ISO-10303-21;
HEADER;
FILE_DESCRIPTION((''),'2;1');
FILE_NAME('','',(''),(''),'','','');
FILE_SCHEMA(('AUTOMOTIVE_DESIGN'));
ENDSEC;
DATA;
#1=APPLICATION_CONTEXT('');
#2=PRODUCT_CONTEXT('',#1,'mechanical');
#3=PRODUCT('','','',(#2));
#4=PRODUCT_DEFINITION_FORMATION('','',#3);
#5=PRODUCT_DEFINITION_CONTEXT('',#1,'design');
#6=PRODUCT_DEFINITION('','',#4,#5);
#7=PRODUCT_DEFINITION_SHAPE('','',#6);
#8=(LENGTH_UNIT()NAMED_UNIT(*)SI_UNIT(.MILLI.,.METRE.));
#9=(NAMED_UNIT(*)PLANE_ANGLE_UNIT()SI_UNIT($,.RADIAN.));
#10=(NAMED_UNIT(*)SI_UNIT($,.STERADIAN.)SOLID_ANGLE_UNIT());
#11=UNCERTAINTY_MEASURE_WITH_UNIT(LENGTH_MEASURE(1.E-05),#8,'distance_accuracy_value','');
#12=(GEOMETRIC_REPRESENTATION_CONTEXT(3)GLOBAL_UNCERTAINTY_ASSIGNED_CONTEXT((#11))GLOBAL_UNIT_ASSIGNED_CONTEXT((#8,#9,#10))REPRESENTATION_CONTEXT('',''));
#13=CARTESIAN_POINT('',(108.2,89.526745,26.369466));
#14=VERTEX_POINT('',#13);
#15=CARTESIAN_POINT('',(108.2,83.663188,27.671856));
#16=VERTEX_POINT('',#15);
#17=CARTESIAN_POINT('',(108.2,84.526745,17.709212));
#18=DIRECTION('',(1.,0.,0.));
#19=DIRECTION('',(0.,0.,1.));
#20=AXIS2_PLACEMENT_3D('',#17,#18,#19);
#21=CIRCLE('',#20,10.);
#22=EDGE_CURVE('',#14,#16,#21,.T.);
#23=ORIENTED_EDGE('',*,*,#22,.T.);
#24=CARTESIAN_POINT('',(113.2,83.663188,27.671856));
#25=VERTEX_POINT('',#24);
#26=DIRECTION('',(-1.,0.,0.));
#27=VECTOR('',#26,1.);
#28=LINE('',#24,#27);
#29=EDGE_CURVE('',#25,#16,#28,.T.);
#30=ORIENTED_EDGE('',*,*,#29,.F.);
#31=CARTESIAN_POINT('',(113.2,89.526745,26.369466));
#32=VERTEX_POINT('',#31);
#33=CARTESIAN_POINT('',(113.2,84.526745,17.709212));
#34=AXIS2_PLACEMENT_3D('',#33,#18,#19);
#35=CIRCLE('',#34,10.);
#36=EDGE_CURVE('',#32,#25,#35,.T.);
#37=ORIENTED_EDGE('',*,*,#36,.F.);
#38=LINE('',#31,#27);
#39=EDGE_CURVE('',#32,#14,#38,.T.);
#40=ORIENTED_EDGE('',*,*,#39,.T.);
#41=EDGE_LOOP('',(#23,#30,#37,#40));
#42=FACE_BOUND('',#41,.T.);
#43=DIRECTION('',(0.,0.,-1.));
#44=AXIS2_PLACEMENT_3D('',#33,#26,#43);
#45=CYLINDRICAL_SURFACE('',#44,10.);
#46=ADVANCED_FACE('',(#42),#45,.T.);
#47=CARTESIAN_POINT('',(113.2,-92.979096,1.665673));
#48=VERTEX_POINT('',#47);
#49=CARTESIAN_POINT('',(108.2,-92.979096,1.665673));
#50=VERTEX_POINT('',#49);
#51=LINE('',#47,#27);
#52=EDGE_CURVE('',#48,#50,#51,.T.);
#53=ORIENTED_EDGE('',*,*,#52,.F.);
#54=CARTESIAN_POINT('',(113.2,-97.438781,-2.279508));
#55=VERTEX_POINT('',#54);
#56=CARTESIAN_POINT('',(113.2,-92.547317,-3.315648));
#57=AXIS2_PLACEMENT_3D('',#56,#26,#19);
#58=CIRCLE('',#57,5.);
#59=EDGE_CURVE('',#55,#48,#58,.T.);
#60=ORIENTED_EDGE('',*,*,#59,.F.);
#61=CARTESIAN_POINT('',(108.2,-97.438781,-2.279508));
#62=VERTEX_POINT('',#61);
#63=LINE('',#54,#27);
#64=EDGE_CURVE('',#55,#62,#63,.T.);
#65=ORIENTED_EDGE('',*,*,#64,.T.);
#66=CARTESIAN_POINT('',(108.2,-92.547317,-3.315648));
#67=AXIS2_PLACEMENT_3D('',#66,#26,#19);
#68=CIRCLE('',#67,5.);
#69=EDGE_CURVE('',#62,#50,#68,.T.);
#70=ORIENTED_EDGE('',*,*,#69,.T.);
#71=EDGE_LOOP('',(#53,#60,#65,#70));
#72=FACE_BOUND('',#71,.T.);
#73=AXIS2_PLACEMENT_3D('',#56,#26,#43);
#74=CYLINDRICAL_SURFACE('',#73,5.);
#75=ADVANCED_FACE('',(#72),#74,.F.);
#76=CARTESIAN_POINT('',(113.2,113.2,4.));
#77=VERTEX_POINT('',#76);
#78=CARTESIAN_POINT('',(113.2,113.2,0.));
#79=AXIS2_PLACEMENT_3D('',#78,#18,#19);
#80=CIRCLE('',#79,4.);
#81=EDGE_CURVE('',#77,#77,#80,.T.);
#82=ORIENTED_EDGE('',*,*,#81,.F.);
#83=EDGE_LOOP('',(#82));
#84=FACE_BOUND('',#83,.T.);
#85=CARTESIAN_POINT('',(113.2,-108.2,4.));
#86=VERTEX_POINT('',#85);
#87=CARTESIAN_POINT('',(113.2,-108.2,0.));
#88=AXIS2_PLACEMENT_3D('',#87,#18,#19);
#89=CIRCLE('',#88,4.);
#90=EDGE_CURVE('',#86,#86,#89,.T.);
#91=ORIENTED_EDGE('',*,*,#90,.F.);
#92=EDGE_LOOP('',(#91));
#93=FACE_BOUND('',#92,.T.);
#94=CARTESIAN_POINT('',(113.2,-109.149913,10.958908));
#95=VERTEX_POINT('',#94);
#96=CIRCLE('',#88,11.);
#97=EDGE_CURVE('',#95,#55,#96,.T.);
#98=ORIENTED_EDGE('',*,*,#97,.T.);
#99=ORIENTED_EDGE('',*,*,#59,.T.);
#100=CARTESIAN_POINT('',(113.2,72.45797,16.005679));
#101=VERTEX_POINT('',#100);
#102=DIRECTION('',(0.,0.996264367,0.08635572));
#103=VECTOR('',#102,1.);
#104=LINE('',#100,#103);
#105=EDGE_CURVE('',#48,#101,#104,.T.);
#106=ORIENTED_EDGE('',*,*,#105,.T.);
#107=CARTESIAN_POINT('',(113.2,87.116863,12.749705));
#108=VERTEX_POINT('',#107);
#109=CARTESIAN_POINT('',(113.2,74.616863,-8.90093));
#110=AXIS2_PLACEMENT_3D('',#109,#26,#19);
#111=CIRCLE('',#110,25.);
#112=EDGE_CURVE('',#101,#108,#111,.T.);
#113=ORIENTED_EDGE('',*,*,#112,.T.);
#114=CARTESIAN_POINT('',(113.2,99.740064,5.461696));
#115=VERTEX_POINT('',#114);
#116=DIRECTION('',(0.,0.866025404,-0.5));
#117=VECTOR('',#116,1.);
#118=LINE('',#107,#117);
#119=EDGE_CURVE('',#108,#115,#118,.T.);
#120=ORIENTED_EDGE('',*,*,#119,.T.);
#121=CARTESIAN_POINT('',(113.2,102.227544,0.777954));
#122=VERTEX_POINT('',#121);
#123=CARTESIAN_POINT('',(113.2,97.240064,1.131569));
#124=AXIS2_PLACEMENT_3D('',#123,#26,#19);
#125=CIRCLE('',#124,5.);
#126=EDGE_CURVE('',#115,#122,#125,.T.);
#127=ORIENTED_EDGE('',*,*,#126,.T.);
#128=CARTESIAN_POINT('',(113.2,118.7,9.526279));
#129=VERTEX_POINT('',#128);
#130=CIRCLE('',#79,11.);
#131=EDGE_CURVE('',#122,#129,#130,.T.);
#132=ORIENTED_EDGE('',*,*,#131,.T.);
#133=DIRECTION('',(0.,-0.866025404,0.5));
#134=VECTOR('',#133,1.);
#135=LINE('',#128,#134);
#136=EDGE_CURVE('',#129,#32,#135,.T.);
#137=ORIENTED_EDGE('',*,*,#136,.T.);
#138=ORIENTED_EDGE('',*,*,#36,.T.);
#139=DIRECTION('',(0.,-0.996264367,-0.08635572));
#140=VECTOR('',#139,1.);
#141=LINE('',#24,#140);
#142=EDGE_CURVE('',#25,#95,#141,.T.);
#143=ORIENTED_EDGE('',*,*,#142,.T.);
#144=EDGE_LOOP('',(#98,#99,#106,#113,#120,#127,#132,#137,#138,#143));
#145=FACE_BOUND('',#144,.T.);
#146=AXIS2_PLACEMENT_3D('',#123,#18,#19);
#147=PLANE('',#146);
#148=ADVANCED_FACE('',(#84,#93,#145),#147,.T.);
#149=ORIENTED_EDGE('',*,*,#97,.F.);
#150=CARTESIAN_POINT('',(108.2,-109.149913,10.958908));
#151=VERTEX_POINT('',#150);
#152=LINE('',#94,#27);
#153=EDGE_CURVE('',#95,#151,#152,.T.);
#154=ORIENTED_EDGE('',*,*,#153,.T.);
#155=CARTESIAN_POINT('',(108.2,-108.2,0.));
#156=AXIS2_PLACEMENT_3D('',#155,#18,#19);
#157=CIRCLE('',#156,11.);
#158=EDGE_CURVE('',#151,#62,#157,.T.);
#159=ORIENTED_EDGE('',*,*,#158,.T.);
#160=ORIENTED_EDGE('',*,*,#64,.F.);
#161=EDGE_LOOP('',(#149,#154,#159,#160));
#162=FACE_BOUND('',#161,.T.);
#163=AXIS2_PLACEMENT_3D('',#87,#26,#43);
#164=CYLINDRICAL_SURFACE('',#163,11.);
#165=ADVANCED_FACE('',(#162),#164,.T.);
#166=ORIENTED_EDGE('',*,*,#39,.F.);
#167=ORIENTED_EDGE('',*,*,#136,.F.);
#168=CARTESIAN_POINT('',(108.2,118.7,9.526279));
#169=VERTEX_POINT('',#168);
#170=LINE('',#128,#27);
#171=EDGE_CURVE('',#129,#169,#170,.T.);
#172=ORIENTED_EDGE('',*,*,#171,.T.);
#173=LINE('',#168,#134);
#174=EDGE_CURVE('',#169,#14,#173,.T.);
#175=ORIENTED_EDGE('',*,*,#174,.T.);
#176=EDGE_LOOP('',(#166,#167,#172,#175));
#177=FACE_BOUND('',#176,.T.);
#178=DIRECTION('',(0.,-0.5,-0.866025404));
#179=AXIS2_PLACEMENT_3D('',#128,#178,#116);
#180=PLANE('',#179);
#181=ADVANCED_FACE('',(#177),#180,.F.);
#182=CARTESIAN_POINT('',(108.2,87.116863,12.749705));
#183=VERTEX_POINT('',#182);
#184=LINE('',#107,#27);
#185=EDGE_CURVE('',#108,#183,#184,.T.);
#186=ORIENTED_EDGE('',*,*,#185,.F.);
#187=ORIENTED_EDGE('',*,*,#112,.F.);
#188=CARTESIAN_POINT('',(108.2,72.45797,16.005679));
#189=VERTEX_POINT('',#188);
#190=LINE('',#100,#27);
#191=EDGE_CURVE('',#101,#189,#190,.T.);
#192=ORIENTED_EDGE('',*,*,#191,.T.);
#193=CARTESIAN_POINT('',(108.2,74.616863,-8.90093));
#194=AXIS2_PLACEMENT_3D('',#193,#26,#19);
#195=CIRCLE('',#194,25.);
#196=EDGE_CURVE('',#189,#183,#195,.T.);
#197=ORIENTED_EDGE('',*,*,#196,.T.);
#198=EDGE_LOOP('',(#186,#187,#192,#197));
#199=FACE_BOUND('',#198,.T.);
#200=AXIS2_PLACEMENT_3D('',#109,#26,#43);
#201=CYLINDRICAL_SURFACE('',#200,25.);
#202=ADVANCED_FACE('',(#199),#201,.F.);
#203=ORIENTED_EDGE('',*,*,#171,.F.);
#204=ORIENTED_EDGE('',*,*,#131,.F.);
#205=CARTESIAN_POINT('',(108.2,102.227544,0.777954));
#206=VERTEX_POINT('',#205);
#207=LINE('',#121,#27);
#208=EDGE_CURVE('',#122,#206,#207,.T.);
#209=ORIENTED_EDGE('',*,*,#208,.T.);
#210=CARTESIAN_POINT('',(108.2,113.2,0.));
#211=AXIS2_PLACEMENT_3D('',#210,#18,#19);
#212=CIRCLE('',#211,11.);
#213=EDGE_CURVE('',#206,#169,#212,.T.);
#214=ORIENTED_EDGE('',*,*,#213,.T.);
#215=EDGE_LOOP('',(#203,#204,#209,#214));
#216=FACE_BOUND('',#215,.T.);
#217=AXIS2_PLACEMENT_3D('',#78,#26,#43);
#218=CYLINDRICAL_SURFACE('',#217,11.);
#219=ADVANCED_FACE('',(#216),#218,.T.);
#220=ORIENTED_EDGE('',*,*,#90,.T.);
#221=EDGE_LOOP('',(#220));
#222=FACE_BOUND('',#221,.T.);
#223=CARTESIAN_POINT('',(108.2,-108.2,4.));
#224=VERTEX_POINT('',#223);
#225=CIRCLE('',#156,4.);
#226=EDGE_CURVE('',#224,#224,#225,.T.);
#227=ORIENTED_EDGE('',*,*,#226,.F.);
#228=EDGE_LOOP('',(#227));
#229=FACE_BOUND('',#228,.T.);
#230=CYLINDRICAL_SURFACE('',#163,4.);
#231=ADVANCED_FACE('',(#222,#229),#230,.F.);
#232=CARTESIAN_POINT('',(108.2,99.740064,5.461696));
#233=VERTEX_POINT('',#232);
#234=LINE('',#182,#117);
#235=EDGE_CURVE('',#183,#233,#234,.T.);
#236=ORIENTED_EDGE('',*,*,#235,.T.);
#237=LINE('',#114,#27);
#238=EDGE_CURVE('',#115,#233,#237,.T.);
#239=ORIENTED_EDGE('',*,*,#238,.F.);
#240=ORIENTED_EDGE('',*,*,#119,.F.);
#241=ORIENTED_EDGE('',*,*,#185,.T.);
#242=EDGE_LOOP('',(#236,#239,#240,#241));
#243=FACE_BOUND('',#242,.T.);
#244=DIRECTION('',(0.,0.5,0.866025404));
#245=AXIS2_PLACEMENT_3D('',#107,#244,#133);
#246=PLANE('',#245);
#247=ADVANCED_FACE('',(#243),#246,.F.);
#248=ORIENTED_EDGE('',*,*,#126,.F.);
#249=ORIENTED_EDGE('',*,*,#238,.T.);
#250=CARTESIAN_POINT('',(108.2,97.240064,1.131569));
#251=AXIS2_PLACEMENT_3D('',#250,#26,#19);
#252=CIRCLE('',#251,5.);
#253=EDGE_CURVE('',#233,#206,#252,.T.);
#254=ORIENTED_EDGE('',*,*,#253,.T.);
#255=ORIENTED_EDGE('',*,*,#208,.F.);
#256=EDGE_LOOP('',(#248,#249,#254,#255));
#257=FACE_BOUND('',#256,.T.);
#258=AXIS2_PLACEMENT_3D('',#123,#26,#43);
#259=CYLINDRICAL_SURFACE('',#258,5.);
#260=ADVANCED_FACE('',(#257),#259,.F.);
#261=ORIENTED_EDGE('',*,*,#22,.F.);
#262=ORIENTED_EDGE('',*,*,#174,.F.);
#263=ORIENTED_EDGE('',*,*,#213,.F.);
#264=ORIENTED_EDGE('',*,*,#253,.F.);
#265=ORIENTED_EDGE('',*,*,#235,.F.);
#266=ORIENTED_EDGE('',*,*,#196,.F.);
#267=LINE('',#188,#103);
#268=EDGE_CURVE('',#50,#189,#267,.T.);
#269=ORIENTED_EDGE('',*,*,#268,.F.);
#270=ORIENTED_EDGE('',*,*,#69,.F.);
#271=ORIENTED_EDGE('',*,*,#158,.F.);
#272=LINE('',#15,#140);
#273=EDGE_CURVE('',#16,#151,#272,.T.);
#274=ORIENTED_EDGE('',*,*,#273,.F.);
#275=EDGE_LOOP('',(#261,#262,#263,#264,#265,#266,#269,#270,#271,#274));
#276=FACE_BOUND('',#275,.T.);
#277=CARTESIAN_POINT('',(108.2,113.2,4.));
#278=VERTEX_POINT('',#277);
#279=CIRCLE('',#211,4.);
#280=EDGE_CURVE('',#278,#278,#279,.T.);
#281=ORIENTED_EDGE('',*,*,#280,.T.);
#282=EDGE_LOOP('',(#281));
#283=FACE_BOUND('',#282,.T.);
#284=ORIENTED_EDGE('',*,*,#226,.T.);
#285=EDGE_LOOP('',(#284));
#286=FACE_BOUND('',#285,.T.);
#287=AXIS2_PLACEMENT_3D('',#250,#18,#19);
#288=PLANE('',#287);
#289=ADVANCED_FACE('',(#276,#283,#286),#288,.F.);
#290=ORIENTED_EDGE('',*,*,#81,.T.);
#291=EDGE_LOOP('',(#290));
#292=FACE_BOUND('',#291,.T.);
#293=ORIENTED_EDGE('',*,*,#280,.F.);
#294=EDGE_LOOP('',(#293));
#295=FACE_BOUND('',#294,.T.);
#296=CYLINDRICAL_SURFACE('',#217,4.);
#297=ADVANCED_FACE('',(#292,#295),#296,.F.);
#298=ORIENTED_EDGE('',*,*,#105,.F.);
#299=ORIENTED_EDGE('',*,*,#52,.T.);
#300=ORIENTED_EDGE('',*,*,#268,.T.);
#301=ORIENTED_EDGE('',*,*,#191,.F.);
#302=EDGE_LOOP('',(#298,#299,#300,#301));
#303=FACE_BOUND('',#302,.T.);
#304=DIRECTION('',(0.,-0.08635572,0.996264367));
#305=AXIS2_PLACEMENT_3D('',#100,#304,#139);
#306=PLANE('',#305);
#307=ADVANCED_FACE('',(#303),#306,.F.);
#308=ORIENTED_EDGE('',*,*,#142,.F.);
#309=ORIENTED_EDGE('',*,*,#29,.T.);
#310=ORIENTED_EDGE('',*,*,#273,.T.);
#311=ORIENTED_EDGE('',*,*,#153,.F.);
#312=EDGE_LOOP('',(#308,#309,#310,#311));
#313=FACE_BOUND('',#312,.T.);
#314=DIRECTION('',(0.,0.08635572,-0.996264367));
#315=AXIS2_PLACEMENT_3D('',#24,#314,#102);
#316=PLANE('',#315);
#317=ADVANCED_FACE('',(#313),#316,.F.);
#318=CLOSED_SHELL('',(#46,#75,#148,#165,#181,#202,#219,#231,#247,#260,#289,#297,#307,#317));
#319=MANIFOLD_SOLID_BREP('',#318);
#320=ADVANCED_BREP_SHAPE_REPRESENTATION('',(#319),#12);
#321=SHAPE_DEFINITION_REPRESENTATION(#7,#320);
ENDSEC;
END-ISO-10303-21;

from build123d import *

# Parameters (mm, degrees)
SKETCH1_R             = 4
SKETCH1_R_2           = 3.999999999
BOSS_EXTRUDE1_DEPTH   = 5
BODY_MOVE_COPY1_ANGLE = 90


with BuildPart() as part:
    # Sketch1 → Boss-Extrude1 (new body)
    with BuildSketch(Plane(origin=(0, 0, 0), x_dir=(1, 0, 0), z_dir=(0, 1, 0))):
        with BuildLine():
            Line((-5.5, -9.526279442), (23.673254908, -26.369466016))
            ThreePointArc((23.673254908, -26.369466016), (26.504938869, -27.471302202), (29.53681211, -27.671855651))
            Line((29.53681211, -27.671855651), (222.349912922, -10.958908038))
            ThreePointArc((222.349912922, -10.958908038), (229.638892539, 7.288391438), (210.63878065, 2.279508305))
            ThreePointArc((210.63878065, 2.279508305), (209.060222507, -0.429302712), (206.17909591, -1.665673394))
            Line((206.17909591, -1.665673394), (40.742030274, -16.005679335))
            ThreePointArc((40.742030274, -16.005679335), (33.162347172, -15.504295714), (26.08313727, -12.749705247))
            Line((26.08313727, -12.749705247), (13.459935794, -5.461696477))
            ThreePointArc((13.459935794, -5.461696477), (11.544061041, -3.476788033), (10.972455859, -0.777954003))
            ThreePointArc((10.972455859, -0.777954003), (-5.159480863, 9.714924458), (-5.5, -9.526279442))
        make_face()
        Circle(SKETCH1_R, mode=Mode.SUBTRACT)
        with Locations((221.4, 2e-09)):
            Circle(SKETCH1_R_2, mode=Mode.SUBTRACT)
    extrude(amount=BOSS_EXTRUDE1_DEPTH)


with BuildPart() as part_1:
    # Body-Move/Copy1: moved
    add(part.part.rotate(Axis((110.7, 2.5, 0), (0, 0, -1)), BODY_MOVE_COPY1_ANGLE))


solid = part_1.part
